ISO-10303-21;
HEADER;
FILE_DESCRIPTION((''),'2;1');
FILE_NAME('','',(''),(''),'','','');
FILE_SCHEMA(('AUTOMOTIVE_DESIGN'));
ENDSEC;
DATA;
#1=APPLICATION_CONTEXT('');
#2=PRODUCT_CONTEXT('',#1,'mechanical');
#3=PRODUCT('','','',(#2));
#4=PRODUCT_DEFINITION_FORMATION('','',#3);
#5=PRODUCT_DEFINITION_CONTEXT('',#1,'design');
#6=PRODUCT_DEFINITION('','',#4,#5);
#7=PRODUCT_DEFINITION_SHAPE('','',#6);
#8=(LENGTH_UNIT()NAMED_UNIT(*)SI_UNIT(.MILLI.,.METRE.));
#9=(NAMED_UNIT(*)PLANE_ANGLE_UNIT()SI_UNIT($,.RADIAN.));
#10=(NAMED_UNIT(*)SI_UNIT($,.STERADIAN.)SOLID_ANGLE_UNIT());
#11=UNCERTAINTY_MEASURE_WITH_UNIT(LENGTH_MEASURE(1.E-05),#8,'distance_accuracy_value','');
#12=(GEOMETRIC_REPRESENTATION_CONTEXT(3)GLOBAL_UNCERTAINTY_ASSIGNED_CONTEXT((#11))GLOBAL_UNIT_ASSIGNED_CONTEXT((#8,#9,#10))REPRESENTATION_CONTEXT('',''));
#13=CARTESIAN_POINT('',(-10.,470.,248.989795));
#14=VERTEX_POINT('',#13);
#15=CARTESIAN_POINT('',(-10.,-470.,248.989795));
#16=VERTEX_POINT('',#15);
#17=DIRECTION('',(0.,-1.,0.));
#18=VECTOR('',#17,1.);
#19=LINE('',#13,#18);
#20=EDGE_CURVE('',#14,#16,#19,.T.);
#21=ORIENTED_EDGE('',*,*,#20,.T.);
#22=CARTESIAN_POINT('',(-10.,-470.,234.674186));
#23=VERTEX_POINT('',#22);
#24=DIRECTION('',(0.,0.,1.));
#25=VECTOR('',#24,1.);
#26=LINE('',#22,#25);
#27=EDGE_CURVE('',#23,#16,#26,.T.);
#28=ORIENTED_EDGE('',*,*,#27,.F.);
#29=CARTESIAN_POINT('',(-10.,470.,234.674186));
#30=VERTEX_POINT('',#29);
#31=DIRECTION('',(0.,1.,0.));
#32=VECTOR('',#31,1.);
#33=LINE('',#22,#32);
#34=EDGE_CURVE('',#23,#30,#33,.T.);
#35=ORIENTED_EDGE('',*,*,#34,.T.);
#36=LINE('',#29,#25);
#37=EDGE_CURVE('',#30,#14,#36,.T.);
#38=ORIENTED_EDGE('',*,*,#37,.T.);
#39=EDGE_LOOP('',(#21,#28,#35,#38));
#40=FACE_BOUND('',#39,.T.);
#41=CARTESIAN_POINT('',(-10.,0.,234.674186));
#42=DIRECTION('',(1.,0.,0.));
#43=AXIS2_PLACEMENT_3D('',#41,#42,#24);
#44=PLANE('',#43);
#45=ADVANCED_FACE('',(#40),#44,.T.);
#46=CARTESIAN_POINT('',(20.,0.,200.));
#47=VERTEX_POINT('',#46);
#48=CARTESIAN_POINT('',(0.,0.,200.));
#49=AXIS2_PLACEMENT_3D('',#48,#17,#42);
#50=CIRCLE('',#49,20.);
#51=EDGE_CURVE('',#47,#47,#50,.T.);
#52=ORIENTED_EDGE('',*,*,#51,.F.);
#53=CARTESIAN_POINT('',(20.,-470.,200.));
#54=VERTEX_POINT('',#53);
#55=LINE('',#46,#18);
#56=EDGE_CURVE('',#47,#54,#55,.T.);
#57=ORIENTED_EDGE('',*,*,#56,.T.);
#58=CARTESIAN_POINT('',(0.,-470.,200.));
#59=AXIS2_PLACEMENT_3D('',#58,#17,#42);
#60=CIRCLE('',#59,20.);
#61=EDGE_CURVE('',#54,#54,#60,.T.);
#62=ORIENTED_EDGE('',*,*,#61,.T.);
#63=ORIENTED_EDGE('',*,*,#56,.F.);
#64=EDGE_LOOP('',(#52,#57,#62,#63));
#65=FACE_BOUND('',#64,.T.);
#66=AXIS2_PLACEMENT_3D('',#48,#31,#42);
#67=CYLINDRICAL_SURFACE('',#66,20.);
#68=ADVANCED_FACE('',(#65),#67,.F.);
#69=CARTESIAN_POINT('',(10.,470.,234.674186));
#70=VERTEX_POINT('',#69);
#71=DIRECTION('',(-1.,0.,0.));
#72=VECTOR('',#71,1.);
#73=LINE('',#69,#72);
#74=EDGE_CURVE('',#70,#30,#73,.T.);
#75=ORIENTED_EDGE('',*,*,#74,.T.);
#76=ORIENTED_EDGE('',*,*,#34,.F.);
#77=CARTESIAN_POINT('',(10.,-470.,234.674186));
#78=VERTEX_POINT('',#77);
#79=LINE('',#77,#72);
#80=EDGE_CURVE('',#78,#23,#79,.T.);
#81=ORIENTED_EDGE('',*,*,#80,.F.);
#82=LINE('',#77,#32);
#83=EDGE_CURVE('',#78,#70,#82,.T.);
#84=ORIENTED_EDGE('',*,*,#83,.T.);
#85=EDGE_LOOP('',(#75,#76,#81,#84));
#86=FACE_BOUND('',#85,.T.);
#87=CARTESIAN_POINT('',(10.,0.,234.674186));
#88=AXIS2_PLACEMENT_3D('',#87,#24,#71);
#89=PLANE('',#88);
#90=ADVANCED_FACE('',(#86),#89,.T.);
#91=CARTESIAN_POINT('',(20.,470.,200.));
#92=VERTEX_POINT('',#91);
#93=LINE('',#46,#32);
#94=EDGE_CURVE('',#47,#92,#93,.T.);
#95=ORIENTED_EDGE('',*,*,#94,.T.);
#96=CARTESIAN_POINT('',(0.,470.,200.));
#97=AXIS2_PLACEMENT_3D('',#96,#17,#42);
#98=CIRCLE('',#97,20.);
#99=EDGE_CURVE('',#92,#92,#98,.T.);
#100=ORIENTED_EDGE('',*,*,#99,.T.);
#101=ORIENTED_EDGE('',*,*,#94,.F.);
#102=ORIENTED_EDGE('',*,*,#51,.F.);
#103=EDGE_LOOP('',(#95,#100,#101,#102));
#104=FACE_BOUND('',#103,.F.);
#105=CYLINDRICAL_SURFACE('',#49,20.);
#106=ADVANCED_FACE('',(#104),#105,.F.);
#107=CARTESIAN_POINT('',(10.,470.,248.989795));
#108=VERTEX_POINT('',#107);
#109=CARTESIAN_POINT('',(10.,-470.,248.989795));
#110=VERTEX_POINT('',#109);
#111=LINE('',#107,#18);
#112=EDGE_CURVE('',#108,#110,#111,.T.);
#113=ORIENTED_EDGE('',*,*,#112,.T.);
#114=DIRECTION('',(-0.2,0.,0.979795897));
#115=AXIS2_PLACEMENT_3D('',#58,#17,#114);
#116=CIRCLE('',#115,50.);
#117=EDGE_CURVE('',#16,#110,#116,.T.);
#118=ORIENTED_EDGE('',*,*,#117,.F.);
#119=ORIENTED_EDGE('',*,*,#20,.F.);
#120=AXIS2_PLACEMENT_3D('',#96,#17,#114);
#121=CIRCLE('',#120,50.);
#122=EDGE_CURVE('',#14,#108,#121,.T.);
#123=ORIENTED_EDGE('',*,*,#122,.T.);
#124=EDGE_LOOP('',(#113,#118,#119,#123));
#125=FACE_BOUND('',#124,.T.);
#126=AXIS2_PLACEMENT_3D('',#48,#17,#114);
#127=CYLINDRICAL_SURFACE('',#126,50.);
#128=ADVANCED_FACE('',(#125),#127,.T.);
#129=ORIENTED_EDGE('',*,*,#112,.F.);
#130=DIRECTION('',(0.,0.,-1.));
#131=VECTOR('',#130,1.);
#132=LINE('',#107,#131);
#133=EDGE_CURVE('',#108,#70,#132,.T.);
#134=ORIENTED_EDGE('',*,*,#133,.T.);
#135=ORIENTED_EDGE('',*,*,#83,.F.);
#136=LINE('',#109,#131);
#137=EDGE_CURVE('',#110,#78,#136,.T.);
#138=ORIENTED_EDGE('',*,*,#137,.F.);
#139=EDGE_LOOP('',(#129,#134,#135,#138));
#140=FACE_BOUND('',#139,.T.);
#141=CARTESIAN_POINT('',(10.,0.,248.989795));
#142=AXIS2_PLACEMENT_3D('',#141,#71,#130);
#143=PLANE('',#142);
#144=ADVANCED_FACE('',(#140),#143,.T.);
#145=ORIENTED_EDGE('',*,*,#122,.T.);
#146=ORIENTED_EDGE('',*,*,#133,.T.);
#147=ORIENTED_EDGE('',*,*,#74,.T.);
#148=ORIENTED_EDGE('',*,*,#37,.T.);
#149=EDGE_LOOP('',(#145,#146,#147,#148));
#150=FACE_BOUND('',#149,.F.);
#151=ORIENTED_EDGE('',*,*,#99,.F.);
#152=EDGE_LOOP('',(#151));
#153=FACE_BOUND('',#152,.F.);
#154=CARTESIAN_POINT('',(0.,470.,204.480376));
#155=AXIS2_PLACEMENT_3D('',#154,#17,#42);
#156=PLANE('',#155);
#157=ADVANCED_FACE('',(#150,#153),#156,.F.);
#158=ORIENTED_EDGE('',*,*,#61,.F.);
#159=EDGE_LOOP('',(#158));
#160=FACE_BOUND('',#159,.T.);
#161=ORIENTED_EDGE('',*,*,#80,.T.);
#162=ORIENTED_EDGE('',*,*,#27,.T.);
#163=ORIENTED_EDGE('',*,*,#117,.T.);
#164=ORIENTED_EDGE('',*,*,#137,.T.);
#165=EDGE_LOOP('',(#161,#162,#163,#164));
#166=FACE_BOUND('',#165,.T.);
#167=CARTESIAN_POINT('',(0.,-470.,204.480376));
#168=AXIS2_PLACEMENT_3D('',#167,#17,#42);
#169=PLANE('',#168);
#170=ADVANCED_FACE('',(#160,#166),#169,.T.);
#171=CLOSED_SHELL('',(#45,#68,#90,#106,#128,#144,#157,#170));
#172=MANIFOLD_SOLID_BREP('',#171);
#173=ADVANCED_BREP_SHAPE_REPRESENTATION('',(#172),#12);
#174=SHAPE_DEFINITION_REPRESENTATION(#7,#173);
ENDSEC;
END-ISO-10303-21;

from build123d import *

# Parameters (mm, degrees)
F0_R          = 20
F1_DEPTH      = 470
F1_DEPTH_BACK = 470


with BuildPart() as f1:
    # F0 (on Front) → F1 (new body, two sides)
    with BuildSketch(Plane.XZ) as f1_sk:
        with BuildLine():
            Line((-10, 234.674186), (-10, 248.989795))
            ThreePointArc((-10, 248.989795), (0, 150), (10, 248.989795))
            Line((10, 248.989795), (10, 234.674186))
            Line((10, 234.674186), (-10, 234.674186))
        make_face()
        with Locations((0, 200)):
            Circle(F0_R, mode=Mode.SUBTRACT)
    extrude(amount=F1_DEPTH)
    extrude(f1_sk.sketch, amount=-F1_DEPTH_BACK)


solid = f1.part
